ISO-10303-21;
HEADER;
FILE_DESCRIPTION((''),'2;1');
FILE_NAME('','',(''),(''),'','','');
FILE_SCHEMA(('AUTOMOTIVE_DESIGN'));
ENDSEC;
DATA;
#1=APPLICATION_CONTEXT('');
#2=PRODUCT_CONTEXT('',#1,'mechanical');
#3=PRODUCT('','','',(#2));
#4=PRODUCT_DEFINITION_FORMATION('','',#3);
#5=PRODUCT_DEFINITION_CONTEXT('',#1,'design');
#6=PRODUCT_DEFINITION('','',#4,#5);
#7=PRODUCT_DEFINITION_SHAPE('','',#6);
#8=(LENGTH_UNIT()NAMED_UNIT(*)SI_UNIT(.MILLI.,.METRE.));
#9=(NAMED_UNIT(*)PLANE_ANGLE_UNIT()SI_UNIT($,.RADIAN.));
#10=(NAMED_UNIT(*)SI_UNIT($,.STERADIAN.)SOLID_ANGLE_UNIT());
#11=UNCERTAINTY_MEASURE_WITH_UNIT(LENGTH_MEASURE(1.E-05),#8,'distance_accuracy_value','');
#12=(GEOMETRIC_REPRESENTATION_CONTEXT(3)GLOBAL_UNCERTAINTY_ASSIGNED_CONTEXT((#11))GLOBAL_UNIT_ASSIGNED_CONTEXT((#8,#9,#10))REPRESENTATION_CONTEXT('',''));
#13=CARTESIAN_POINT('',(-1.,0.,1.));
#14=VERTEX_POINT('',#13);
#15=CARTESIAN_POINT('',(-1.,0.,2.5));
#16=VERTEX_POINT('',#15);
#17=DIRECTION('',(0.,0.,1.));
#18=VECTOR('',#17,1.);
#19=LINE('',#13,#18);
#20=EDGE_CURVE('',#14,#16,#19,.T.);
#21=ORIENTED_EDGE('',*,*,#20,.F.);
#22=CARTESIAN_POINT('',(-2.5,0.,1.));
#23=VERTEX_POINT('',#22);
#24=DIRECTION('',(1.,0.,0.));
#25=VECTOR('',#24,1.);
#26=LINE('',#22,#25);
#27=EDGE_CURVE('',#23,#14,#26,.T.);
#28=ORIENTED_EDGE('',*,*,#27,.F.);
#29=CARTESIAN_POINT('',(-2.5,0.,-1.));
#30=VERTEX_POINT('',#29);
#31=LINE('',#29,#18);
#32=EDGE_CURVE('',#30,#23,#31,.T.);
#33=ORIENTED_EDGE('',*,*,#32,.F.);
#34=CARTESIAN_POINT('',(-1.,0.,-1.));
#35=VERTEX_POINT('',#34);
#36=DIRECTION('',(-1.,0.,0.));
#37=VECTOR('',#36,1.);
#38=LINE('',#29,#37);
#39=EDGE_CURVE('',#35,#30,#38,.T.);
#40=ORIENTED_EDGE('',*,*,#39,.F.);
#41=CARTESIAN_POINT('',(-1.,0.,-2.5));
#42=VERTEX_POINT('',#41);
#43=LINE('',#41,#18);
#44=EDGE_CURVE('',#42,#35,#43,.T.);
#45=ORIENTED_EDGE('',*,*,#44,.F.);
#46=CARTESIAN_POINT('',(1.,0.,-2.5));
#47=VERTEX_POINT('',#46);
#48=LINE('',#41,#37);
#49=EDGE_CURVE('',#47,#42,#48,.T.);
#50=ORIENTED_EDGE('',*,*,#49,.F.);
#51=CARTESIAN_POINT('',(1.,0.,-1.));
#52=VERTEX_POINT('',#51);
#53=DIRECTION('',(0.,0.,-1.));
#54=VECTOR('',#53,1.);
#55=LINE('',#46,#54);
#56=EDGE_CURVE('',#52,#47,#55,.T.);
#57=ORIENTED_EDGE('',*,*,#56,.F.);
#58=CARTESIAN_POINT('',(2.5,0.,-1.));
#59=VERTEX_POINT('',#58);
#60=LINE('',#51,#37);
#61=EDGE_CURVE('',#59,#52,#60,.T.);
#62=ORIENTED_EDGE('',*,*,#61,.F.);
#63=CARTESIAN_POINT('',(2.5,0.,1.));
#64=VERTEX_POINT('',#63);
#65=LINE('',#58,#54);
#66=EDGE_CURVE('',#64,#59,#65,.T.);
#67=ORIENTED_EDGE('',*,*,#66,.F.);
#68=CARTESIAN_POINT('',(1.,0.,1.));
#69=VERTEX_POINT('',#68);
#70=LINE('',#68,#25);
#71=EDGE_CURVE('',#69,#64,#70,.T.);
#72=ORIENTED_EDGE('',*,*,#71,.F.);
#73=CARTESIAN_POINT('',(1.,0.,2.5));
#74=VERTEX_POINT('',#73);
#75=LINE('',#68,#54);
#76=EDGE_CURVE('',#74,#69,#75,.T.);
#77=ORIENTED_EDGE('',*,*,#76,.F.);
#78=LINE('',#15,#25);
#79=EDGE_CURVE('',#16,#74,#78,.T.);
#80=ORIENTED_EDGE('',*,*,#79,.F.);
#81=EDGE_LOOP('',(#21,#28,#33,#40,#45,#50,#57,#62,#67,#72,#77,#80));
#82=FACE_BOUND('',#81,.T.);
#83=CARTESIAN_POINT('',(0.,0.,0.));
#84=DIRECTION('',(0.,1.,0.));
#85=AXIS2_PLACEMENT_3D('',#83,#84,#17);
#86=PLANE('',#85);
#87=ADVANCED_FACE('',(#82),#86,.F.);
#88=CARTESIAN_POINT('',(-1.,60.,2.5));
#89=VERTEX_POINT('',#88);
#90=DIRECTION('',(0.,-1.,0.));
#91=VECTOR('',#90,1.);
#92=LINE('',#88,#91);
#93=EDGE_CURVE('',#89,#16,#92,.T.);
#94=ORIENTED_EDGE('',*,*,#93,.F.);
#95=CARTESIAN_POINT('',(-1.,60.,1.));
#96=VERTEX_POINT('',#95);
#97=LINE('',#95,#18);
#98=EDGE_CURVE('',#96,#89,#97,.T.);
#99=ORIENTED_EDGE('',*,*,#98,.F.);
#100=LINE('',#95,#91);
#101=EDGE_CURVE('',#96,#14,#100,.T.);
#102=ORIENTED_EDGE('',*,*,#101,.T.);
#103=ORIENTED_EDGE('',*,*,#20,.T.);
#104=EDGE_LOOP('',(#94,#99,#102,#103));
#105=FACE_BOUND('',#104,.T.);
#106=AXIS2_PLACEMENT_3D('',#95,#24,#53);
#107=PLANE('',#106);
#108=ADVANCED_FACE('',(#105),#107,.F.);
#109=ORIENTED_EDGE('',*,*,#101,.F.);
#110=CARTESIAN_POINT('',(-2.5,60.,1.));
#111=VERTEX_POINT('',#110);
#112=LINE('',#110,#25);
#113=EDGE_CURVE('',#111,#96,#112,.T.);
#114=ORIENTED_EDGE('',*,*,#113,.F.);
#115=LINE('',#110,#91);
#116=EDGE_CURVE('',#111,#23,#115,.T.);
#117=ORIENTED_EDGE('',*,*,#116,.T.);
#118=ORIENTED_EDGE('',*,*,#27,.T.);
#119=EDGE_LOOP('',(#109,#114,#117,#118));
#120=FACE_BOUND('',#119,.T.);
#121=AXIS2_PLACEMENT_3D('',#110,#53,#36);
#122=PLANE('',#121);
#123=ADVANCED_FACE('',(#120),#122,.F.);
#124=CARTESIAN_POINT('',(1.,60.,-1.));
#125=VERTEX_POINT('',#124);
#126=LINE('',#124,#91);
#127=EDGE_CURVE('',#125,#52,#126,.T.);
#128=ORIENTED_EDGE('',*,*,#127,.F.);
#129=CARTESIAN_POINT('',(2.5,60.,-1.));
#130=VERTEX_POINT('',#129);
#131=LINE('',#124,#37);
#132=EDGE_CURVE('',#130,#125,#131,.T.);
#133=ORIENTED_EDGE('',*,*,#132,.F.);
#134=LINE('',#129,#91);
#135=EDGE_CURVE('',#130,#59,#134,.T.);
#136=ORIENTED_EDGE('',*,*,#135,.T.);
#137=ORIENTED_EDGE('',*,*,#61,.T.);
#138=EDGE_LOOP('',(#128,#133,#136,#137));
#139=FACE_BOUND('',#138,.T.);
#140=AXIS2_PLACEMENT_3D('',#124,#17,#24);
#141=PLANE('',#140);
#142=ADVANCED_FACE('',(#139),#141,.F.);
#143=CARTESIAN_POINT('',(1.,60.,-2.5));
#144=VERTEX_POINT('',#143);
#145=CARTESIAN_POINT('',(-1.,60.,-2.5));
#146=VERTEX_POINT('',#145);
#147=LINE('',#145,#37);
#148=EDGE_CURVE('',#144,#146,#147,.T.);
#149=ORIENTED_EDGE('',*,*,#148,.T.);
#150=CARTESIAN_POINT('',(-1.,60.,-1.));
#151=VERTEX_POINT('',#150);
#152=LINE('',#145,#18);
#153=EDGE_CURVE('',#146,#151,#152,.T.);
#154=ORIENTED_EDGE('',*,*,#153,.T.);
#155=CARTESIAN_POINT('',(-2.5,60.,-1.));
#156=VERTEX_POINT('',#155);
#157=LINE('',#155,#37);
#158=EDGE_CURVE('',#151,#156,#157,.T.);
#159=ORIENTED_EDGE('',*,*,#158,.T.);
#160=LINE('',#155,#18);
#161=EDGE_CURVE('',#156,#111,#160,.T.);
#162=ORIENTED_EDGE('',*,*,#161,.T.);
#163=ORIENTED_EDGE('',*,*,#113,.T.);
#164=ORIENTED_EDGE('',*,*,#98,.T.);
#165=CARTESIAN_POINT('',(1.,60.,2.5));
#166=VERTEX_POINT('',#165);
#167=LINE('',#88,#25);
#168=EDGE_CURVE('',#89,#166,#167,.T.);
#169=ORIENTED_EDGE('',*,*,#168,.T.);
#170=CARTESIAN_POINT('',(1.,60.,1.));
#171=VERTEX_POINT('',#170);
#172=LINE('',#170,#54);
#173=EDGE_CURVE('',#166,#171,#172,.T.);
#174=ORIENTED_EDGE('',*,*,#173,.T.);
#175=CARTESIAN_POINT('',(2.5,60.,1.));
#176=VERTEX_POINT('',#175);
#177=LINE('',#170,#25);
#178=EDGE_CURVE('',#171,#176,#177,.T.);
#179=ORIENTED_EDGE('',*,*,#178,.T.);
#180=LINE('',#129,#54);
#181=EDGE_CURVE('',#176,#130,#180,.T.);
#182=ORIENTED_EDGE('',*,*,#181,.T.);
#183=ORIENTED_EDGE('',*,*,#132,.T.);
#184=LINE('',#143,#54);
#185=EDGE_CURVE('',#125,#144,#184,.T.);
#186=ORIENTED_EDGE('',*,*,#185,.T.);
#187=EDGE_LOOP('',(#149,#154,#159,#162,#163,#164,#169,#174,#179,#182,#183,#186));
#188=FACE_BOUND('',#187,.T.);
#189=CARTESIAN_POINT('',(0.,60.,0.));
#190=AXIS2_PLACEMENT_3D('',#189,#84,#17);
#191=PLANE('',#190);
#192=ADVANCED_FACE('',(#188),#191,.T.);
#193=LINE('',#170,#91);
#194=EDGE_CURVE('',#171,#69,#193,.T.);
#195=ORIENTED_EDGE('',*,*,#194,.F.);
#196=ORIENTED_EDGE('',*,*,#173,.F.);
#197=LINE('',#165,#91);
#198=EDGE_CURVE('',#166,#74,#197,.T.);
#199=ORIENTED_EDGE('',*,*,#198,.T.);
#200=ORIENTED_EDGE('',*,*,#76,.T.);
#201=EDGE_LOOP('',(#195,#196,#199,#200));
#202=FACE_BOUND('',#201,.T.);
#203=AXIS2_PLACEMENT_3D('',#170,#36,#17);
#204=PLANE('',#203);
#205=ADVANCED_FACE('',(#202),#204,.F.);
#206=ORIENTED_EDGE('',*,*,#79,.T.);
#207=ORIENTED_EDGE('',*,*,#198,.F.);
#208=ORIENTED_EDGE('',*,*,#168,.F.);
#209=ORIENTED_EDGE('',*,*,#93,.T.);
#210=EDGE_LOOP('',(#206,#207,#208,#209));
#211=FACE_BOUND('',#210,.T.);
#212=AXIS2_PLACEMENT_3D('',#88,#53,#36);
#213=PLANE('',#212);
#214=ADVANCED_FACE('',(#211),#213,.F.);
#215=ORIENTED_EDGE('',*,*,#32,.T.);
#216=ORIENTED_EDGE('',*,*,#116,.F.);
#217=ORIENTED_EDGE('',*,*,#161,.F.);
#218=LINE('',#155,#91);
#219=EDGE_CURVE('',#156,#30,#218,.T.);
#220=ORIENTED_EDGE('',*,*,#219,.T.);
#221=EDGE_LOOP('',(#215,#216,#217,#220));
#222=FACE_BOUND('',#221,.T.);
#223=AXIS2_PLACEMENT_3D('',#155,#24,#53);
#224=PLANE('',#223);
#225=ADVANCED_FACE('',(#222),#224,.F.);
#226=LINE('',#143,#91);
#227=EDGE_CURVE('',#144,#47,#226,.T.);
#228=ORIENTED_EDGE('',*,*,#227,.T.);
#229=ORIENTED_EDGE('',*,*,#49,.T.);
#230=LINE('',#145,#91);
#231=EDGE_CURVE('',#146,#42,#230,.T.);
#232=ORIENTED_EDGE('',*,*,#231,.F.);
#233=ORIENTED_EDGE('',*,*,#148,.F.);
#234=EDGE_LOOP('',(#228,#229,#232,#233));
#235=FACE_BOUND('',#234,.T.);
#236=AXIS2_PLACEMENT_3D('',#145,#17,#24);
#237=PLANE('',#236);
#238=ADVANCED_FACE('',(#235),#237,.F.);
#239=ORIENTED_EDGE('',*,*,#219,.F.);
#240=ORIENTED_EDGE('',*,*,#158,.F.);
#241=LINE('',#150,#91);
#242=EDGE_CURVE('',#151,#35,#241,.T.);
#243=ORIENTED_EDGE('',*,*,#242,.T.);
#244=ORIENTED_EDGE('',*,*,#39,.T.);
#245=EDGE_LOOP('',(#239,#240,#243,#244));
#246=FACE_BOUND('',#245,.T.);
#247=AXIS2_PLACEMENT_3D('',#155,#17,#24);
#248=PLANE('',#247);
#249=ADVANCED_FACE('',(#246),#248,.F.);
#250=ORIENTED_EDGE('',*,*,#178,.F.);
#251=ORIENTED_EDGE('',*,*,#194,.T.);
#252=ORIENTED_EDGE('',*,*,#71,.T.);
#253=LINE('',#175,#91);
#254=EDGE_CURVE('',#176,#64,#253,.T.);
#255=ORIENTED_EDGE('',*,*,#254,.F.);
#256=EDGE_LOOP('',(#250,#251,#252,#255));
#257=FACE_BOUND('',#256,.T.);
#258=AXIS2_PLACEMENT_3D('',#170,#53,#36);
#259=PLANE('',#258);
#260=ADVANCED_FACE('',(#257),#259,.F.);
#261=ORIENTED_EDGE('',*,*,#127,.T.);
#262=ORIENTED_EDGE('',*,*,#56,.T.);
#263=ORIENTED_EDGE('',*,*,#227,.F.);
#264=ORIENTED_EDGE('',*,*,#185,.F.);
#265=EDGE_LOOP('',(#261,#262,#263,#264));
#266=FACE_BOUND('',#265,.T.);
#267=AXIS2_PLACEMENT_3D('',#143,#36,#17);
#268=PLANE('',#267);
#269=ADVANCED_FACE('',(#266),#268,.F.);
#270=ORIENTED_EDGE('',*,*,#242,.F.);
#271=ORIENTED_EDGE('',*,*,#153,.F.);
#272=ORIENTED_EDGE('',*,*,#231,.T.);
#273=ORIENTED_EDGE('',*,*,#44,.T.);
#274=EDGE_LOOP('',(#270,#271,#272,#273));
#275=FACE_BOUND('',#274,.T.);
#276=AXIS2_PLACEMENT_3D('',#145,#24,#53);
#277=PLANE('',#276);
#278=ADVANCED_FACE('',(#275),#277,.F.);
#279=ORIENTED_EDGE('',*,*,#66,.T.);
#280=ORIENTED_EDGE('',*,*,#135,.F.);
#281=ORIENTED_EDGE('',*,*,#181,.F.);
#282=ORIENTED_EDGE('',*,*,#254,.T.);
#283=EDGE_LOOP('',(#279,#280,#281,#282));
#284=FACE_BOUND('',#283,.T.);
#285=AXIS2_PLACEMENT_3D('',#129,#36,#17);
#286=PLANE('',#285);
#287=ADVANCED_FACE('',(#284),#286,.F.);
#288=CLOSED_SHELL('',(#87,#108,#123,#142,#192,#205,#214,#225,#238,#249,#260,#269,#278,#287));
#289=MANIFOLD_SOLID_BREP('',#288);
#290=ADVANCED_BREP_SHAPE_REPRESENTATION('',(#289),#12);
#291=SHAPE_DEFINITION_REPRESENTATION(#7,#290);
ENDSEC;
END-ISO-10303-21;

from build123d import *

# Parameters (mm, degrees)
EXTRUDE_1_DEPTH = 60


with BuildPart() as part:
    # 草图1 → 凸台-拉伸1 (new body)
    with BuildSketch(Plane(origin=(0, 0, 0), x_dir=(1, 0, 0), z_dir=(0, 1, 0))):
        Polygon((1, 1), (2.5, 1), (2.5, -1), (1, -1), (1, -2.5), (-1, -2.5), (-1, -1), (-2.5, -1), (-2.5, 1), (-1, 1), (-1, 2.5), (1, 2.5), align=None)
    extrude(amount=EXTRUDE_1_DEPTH)


solid = part.part
